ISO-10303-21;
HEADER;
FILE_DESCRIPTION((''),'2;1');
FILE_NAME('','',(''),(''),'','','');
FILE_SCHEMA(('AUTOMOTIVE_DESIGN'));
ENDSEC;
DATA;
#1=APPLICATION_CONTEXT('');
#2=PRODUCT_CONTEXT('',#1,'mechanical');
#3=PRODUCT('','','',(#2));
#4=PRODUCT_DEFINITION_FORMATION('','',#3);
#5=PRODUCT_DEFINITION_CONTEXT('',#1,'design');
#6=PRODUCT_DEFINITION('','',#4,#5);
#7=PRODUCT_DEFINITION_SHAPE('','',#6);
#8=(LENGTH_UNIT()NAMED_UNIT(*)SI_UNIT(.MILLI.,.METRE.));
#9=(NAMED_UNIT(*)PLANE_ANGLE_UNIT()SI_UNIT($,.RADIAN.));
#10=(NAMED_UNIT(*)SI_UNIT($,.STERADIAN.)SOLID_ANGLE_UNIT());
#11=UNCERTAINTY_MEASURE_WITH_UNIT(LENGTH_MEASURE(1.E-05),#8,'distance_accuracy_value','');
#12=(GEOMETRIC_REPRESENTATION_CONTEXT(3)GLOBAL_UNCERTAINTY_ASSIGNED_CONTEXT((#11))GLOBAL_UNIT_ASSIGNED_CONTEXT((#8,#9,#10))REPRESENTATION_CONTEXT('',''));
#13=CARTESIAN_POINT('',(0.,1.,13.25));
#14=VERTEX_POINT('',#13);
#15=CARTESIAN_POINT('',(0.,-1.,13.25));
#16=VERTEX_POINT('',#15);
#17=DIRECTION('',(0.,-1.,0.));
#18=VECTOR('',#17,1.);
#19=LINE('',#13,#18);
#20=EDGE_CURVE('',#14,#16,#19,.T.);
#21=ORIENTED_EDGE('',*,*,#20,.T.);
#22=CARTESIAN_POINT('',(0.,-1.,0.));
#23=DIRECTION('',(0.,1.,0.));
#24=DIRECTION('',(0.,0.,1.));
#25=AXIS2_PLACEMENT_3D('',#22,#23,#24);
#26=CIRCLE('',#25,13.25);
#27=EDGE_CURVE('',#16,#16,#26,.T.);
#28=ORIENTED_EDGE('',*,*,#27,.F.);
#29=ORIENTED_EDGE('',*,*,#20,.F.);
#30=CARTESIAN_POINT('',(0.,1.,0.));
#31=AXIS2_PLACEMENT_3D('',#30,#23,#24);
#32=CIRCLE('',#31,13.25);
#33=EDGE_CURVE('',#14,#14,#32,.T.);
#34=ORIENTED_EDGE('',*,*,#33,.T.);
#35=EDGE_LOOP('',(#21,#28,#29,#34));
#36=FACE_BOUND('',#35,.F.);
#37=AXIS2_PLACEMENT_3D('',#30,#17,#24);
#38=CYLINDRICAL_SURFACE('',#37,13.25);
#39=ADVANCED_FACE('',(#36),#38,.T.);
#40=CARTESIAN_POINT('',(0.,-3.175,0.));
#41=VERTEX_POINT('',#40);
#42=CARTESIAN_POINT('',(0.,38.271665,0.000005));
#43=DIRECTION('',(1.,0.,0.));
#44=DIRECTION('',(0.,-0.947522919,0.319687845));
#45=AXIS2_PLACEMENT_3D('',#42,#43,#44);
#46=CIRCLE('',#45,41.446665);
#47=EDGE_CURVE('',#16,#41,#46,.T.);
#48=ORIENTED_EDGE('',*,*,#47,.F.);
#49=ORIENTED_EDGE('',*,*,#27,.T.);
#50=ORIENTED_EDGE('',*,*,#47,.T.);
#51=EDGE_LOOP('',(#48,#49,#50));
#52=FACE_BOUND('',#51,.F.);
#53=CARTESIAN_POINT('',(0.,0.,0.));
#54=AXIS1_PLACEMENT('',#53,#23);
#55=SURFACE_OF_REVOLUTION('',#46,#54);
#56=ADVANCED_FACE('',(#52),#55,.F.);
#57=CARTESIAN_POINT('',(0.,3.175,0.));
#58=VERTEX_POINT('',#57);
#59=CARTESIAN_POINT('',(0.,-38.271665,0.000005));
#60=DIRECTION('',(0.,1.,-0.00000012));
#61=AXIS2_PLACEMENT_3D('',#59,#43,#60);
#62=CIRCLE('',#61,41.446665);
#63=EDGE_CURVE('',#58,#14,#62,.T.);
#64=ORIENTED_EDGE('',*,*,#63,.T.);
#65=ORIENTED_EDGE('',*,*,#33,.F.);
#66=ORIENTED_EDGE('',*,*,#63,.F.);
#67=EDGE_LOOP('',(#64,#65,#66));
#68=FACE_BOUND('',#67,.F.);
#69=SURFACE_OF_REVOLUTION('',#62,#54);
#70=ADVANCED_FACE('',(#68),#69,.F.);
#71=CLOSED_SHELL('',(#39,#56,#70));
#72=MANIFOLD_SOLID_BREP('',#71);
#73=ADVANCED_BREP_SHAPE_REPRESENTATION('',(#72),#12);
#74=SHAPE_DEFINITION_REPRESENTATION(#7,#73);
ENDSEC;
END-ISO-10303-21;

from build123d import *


with BuildPart() as f1:
    # F0 (on Right) → F1 (revolve)
    with BuildSketch(Plane.YZ):
        with BuildLine():
            Line((1, 13.25), (-1, 13.25))
            ThreePointArc((-1, 13.25), (-2.627636, 6.713664), (-3.175, 0))
            Line((-3.175, 0), (3.175, 0))
            ThreePointArc((3.175, 0), (2.627636, 6.713664), (1, 13.25))
        make_face()
    revolve(axis=Axis((0, 0, 0), (0, 1, 0)))


solid = f1.part
